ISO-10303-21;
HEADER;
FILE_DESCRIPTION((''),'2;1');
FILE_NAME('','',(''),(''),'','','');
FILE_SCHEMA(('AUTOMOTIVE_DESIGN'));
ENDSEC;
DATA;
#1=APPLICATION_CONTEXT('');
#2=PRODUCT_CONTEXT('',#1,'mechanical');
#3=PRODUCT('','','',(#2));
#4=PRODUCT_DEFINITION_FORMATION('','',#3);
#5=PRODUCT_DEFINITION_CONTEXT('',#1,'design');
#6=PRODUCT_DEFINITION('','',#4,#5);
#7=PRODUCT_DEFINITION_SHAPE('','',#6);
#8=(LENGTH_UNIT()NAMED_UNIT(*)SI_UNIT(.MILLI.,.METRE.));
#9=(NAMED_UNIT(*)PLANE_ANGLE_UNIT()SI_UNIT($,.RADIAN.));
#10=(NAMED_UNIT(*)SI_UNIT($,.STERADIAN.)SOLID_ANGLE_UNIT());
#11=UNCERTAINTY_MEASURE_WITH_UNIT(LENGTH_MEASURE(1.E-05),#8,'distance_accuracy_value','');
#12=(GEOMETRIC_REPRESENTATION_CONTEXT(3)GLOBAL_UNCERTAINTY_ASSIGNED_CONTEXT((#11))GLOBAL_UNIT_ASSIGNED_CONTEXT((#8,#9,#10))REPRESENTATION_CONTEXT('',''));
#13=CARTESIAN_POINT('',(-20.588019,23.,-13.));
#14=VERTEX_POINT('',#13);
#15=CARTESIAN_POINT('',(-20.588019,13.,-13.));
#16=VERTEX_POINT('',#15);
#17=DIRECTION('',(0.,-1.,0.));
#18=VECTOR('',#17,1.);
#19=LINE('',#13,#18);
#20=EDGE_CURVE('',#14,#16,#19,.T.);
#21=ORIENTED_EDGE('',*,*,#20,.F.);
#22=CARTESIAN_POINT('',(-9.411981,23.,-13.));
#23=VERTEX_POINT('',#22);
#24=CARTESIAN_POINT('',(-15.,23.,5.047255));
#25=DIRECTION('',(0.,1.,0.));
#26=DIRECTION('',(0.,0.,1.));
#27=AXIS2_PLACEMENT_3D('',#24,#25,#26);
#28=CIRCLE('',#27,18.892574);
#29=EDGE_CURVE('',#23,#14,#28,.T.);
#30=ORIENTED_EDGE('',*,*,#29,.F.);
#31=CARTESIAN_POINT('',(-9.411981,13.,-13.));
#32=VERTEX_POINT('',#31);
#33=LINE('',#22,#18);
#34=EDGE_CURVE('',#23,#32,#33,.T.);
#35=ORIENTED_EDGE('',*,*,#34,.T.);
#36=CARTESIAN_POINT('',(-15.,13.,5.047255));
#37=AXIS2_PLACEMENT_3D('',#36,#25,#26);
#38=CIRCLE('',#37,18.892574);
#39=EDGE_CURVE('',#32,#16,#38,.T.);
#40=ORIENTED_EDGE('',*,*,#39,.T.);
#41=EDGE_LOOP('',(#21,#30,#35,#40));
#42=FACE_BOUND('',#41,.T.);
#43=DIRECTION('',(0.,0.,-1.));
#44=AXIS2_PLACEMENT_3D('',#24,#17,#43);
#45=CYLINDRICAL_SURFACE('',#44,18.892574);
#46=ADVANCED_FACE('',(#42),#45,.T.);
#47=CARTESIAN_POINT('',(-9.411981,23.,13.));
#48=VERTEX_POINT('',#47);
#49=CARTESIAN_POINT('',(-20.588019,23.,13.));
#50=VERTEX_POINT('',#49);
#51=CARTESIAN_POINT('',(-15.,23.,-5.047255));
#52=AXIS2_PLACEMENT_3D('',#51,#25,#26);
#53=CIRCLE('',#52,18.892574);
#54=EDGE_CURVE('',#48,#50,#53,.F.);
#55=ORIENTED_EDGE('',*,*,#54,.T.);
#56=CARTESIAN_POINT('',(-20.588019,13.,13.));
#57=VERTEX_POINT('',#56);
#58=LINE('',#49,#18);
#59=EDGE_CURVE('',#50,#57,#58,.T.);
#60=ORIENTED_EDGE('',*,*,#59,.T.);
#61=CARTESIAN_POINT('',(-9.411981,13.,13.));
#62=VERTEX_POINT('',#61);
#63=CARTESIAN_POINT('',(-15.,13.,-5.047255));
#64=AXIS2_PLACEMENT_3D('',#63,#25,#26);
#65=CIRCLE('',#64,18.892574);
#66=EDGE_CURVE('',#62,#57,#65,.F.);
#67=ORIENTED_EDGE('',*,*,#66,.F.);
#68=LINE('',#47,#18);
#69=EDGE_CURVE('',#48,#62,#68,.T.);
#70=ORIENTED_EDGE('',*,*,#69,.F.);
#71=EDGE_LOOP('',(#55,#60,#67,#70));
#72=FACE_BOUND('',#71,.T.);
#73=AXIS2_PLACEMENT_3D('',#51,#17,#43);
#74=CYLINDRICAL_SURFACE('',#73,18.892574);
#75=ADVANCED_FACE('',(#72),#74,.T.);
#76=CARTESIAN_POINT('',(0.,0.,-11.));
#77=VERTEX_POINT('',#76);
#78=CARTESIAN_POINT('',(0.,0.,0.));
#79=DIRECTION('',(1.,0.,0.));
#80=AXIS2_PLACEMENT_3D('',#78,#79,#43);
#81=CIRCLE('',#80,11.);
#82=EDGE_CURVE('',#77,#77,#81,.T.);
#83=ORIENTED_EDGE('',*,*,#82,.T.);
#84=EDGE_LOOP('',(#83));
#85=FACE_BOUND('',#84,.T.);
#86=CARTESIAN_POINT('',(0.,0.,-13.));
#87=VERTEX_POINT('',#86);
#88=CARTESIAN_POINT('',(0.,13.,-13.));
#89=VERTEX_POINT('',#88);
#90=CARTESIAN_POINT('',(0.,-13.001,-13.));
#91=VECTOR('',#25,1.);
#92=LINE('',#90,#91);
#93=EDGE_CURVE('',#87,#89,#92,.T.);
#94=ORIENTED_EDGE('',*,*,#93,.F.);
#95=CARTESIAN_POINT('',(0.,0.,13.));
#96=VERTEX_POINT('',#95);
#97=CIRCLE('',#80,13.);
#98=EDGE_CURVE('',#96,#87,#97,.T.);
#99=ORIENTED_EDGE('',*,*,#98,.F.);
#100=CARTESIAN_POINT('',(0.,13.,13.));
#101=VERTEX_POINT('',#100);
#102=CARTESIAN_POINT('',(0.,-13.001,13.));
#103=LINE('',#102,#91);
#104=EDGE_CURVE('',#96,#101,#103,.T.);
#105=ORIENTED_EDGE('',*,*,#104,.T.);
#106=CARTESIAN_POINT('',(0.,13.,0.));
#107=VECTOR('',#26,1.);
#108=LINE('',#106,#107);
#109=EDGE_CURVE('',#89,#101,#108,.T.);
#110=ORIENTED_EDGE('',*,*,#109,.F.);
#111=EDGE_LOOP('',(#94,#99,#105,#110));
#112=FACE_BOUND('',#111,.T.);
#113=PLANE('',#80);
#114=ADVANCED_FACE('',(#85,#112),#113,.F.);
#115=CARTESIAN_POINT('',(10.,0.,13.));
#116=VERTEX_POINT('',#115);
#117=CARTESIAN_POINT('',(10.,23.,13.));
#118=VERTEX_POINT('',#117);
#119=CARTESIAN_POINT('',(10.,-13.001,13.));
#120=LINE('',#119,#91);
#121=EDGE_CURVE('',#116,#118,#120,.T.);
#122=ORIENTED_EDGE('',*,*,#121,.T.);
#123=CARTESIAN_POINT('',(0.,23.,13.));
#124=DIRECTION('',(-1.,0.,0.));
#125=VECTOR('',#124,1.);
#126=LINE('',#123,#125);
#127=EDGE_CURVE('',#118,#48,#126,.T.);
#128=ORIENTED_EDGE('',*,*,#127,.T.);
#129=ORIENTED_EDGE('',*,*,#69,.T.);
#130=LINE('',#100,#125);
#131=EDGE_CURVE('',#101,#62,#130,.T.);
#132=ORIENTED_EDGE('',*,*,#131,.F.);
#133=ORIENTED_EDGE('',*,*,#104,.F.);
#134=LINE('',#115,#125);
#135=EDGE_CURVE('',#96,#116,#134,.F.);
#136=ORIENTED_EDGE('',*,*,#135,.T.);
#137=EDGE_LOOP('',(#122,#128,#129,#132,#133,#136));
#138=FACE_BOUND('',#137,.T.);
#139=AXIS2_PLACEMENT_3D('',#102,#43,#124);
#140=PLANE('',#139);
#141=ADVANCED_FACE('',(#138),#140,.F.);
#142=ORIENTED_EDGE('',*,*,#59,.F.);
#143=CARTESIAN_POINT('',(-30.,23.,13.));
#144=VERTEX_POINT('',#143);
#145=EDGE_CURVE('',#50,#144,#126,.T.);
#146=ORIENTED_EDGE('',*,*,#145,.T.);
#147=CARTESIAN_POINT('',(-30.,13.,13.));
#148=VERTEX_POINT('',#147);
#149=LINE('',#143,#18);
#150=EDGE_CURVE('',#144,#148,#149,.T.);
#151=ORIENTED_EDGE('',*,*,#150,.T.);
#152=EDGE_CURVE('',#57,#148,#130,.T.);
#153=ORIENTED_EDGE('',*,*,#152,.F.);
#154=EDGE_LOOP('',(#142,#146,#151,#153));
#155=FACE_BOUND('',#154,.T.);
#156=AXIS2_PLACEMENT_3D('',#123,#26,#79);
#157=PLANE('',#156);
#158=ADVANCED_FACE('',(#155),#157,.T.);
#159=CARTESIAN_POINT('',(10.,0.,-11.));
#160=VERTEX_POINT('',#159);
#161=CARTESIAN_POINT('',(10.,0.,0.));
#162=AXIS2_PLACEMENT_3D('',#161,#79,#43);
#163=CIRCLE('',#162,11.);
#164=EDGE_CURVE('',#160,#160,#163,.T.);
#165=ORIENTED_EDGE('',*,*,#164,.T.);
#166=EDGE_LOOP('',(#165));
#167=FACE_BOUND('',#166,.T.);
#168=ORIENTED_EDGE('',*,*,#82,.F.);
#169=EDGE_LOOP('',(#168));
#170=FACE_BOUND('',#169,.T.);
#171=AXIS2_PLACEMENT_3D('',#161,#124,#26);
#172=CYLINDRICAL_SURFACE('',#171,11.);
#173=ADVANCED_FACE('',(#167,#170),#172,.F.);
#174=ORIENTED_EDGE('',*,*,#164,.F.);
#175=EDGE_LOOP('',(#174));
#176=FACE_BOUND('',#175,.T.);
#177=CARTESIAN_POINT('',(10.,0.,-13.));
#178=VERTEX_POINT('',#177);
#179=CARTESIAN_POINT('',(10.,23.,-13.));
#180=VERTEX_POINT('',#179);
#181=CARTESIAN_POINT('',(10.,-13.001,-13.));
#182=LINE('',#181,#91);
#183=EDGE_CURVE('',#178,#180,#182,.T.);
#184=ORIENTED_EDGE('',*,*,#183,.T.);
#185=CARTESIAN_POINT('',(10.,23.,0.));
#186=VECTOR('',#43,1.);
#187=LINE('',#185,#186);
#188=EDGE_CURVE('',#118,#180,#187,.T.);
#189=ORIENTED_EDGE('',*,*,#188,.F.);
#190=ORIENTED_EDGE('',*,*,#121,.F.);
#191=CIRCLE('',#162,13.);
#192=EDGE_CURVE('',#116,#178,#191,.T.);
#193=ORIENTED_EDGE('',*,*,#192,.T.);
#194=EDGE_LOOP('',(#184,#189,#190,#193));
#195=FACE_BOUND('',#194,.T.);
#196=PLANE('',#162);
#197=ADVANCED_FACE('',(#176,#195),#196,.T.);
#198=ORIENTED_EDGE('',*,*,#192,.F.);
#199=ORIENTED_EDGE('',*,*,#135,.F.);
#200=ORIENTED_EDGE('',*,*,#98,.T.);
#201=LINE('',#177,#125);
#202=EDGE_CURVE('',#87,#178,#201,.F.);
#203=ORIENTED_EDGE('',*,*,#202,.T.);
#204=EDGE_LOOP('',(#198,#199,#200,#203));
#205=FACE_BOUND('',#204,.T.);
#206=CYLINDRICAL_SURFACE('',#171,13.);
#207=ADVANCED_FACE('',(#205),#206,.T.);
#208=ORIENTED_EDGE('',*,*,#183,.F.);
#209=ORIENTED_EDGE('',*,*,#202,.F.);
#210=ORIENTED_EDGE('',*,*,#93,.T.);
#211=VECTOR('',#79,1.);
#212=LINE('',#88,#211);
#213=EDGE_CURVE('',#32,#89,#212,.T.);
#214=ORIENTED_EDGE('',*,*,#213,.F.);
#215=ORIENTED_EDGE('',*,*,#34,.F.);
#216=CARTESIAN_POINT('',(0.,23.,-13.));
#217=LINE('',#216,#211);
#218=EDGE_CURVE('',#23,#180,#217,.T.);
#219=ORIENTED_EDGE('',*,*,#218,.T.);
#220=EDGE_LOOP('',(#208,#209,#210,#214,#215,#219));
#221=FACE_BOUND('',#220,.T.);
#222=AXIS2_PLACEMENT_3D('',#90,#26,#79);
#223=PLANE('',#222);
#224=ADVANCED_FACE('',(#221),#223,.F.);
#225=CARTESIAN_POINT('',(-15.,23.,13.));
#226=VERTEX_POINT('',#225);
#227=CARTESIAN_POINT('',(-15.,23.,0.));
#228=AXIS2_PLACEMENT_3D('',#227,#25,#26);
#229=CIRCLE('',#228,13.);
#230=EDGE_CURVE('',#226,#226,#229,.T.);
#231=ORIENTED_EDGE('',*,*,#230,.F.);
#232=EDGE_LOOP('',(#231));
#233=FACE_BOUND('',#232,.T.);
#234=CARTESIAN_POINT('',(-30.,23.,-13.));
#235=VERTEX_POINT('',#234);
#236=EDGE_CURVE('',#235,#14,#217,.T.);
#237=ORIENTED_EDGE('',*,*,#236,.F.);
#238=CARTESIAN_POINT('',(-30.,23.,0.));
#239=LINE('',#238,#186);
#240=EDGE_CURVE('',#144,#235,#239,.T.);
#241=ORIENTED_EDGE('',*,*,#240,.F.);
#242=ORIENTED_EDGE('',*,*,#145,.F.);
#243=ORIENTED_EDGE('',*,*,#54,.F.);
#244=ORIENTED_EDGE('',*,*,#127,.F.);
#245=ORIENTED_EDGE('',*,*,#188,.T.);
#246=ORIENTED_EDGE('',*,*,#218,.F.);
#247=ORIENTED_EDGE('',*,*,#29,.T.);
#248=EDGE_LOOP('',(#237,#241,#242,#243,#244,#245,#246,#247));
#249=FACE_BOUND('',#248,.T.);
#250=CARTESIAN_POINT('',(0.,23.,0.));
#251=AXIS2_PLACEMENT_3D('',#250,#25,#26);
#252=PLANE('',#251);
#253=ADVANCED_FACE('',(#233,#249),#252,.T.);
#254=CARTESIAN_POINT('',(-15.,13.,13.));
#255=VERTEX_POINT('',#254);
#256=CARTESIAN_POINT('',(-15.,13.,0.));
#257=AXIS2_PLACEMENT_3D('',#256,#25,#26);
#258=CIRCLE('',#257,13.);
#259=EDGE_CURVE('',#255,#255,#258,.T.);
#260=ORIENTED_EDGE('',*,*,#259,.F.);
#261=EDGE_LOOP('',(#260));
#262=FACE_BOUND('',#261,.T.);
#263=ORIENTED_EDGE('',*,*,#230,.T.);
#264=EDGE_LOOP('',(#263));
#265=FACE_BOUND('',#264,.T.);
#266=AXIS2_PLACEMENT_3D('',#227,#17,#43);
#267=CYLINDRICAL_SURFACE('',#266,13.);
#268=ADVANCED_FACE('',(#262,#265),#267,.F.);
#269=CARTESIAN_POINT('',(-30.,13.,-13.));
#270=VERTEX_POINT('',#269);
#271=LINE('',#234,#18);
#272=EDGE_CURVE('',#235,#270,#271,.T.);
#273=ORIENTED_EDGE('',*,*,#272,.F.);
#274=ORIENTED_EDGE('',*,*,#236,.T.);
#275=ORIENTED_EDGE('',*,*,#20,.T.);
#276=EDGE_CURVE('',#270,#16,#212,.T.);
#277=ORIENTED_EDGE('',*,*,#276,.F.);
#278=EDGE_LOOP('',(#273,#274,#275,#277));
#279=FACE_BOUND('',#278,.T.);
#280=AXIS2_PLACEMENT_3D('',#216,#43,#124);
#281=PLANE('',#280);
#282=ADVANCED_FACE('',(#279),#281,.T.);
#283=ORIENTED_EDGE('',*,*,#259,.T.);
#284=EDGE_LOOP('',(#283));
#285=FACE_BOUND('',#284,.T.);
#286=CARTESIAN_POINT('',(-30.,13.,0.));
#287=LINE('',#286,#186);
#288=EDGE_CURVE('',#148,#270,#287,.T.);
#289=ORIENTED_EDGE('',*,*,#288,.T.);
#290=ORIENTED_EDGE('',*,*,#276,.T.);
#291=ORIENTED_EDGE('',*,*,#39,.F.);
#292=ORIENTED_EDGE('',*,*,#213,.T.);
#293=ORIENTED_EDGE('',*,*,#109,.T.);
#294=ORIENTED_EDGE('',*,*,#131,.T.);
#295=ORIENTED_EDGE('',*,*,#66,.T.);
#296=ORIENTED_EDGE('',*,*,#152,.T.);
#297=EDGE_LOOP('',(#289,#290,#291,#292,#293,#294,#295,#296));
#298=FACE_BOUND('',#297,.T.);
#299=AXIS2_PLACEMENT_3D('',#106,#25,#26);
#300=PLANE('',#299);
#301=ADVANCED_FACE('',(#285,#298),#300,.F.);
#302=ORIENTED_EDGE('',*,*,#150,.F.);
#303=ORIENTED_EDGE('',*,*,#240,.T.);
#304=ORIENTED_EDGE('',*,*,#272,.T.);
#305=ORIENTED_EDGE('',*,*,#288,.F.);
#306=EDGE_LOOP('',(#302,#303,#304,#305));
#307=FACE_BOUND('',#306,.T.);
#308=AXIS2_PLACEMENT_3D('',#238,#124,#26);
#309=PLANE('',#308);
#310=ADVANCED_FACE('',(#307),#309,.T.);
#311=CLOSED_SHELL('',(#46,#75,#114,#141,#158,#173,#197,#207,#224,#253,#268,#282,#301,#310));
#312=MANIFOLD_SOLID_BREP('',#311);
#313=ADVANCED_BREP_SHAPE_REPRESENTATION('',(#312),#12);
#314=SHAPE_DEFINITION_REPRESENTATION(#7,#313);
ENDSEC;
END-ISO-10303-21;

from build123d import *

# Parameters (mm, degrees)
SKETCH1_R                = 13
SKETCH1_R_2              = 11
BOSS_EXTRUDE1_DEPTH      = 10
BOSS_EXTRUDE2_REACH      = 32.741
BOSS_EXTRUDE2_END_RADIUS = 13
SKETCH2_W                = 10
SKETCH2_H                = 26
SKETCH2_3_R              = 13
BOSS_EXTRUDE3_DEPTH      = 10


with BuildPart() as part:
    # Sketch1 → Boss-Extrude1 (new body)
    with BuildSketch(Plane(origin=(0, 0, 0), x_dir=(0, 0, -1), z_dir=(1, 0, 0))):
        Circle(SKETCH1_R)
        Circle(SKETCH1_R_2, mode=Mode.SUBTRACT)
    extrude(amount=BOSS_EXTRUDE1_DEPTH)

    # Boss-Extrude2: up to this cylinder (the profile starts outside it)
    boss_extrude2_end = Plane(origin=(5, 0, 0), z_dir=(-1, 0, 0)) * Cylinder(BOSS_EXTRUDE2_END_RADIUS, 92.482, mode=Mode.PRIVATE)
    # Sketch2 → Boss-Extrude2 (add, up to the surface)
    with BuildSketch(Plane(origin=(0, 13, 0), x_dir=(1, 0, 0), z_dir=(0, 1, 0)), mode=Mode.PRIVATE) as boss_extrude2_sk1:
        with Locations((5, 0)):
            Rectangle(SKETCH2_W, SKETCH2_H)
    boss_extrude2_tool1 = extrude(boss_extrude2_sk1.sketch, amount=-BOSS_EXTRUDE2_REACH, mode=Mode.PRIVATE) - boss_extrude2_end
    add(boss_extrude2_tool1.solids().sort_by_distance((5, 13, 0))[0])
    add(boss_extrude2_tool1.solids().sort_by_distance((5, 13, 0))[1])

    # Sketch2<3> → Boss-Extrude3 (add)
    with BuildSketch(Plane(origin=(0, 13, 0), x_dir=(1, 0, 0), z_dir=(0, 1, 0))):
        with BuildLine():
            Line((10, -13), (10, 13))
            Line((10, 13), (-9.411981237, 13))
            ThreePointArc((-9.411981237, 13), (-15, 13.845319391), (-20.588018763, 13))
            Line((-20.588018763, 13), (-30, 13))
            Line((-30, 13), (-30, -13))
            Line((-30, -13), (-20.588018763, -13))
            ThreePointArc((-20.588018763, -13), (-15, -13.845319391), (-9.411981237, -13))
            Line((-9.411981237, -13), (10, -13))
        make_face()
        with Locations((-15, 0)):
            Circle(SKETCH2_3_R, mode=Mode.SUBTRACT)
    extrude(amount=BOSS_EXTRUDE3_DEPTH)


solid = part.part
